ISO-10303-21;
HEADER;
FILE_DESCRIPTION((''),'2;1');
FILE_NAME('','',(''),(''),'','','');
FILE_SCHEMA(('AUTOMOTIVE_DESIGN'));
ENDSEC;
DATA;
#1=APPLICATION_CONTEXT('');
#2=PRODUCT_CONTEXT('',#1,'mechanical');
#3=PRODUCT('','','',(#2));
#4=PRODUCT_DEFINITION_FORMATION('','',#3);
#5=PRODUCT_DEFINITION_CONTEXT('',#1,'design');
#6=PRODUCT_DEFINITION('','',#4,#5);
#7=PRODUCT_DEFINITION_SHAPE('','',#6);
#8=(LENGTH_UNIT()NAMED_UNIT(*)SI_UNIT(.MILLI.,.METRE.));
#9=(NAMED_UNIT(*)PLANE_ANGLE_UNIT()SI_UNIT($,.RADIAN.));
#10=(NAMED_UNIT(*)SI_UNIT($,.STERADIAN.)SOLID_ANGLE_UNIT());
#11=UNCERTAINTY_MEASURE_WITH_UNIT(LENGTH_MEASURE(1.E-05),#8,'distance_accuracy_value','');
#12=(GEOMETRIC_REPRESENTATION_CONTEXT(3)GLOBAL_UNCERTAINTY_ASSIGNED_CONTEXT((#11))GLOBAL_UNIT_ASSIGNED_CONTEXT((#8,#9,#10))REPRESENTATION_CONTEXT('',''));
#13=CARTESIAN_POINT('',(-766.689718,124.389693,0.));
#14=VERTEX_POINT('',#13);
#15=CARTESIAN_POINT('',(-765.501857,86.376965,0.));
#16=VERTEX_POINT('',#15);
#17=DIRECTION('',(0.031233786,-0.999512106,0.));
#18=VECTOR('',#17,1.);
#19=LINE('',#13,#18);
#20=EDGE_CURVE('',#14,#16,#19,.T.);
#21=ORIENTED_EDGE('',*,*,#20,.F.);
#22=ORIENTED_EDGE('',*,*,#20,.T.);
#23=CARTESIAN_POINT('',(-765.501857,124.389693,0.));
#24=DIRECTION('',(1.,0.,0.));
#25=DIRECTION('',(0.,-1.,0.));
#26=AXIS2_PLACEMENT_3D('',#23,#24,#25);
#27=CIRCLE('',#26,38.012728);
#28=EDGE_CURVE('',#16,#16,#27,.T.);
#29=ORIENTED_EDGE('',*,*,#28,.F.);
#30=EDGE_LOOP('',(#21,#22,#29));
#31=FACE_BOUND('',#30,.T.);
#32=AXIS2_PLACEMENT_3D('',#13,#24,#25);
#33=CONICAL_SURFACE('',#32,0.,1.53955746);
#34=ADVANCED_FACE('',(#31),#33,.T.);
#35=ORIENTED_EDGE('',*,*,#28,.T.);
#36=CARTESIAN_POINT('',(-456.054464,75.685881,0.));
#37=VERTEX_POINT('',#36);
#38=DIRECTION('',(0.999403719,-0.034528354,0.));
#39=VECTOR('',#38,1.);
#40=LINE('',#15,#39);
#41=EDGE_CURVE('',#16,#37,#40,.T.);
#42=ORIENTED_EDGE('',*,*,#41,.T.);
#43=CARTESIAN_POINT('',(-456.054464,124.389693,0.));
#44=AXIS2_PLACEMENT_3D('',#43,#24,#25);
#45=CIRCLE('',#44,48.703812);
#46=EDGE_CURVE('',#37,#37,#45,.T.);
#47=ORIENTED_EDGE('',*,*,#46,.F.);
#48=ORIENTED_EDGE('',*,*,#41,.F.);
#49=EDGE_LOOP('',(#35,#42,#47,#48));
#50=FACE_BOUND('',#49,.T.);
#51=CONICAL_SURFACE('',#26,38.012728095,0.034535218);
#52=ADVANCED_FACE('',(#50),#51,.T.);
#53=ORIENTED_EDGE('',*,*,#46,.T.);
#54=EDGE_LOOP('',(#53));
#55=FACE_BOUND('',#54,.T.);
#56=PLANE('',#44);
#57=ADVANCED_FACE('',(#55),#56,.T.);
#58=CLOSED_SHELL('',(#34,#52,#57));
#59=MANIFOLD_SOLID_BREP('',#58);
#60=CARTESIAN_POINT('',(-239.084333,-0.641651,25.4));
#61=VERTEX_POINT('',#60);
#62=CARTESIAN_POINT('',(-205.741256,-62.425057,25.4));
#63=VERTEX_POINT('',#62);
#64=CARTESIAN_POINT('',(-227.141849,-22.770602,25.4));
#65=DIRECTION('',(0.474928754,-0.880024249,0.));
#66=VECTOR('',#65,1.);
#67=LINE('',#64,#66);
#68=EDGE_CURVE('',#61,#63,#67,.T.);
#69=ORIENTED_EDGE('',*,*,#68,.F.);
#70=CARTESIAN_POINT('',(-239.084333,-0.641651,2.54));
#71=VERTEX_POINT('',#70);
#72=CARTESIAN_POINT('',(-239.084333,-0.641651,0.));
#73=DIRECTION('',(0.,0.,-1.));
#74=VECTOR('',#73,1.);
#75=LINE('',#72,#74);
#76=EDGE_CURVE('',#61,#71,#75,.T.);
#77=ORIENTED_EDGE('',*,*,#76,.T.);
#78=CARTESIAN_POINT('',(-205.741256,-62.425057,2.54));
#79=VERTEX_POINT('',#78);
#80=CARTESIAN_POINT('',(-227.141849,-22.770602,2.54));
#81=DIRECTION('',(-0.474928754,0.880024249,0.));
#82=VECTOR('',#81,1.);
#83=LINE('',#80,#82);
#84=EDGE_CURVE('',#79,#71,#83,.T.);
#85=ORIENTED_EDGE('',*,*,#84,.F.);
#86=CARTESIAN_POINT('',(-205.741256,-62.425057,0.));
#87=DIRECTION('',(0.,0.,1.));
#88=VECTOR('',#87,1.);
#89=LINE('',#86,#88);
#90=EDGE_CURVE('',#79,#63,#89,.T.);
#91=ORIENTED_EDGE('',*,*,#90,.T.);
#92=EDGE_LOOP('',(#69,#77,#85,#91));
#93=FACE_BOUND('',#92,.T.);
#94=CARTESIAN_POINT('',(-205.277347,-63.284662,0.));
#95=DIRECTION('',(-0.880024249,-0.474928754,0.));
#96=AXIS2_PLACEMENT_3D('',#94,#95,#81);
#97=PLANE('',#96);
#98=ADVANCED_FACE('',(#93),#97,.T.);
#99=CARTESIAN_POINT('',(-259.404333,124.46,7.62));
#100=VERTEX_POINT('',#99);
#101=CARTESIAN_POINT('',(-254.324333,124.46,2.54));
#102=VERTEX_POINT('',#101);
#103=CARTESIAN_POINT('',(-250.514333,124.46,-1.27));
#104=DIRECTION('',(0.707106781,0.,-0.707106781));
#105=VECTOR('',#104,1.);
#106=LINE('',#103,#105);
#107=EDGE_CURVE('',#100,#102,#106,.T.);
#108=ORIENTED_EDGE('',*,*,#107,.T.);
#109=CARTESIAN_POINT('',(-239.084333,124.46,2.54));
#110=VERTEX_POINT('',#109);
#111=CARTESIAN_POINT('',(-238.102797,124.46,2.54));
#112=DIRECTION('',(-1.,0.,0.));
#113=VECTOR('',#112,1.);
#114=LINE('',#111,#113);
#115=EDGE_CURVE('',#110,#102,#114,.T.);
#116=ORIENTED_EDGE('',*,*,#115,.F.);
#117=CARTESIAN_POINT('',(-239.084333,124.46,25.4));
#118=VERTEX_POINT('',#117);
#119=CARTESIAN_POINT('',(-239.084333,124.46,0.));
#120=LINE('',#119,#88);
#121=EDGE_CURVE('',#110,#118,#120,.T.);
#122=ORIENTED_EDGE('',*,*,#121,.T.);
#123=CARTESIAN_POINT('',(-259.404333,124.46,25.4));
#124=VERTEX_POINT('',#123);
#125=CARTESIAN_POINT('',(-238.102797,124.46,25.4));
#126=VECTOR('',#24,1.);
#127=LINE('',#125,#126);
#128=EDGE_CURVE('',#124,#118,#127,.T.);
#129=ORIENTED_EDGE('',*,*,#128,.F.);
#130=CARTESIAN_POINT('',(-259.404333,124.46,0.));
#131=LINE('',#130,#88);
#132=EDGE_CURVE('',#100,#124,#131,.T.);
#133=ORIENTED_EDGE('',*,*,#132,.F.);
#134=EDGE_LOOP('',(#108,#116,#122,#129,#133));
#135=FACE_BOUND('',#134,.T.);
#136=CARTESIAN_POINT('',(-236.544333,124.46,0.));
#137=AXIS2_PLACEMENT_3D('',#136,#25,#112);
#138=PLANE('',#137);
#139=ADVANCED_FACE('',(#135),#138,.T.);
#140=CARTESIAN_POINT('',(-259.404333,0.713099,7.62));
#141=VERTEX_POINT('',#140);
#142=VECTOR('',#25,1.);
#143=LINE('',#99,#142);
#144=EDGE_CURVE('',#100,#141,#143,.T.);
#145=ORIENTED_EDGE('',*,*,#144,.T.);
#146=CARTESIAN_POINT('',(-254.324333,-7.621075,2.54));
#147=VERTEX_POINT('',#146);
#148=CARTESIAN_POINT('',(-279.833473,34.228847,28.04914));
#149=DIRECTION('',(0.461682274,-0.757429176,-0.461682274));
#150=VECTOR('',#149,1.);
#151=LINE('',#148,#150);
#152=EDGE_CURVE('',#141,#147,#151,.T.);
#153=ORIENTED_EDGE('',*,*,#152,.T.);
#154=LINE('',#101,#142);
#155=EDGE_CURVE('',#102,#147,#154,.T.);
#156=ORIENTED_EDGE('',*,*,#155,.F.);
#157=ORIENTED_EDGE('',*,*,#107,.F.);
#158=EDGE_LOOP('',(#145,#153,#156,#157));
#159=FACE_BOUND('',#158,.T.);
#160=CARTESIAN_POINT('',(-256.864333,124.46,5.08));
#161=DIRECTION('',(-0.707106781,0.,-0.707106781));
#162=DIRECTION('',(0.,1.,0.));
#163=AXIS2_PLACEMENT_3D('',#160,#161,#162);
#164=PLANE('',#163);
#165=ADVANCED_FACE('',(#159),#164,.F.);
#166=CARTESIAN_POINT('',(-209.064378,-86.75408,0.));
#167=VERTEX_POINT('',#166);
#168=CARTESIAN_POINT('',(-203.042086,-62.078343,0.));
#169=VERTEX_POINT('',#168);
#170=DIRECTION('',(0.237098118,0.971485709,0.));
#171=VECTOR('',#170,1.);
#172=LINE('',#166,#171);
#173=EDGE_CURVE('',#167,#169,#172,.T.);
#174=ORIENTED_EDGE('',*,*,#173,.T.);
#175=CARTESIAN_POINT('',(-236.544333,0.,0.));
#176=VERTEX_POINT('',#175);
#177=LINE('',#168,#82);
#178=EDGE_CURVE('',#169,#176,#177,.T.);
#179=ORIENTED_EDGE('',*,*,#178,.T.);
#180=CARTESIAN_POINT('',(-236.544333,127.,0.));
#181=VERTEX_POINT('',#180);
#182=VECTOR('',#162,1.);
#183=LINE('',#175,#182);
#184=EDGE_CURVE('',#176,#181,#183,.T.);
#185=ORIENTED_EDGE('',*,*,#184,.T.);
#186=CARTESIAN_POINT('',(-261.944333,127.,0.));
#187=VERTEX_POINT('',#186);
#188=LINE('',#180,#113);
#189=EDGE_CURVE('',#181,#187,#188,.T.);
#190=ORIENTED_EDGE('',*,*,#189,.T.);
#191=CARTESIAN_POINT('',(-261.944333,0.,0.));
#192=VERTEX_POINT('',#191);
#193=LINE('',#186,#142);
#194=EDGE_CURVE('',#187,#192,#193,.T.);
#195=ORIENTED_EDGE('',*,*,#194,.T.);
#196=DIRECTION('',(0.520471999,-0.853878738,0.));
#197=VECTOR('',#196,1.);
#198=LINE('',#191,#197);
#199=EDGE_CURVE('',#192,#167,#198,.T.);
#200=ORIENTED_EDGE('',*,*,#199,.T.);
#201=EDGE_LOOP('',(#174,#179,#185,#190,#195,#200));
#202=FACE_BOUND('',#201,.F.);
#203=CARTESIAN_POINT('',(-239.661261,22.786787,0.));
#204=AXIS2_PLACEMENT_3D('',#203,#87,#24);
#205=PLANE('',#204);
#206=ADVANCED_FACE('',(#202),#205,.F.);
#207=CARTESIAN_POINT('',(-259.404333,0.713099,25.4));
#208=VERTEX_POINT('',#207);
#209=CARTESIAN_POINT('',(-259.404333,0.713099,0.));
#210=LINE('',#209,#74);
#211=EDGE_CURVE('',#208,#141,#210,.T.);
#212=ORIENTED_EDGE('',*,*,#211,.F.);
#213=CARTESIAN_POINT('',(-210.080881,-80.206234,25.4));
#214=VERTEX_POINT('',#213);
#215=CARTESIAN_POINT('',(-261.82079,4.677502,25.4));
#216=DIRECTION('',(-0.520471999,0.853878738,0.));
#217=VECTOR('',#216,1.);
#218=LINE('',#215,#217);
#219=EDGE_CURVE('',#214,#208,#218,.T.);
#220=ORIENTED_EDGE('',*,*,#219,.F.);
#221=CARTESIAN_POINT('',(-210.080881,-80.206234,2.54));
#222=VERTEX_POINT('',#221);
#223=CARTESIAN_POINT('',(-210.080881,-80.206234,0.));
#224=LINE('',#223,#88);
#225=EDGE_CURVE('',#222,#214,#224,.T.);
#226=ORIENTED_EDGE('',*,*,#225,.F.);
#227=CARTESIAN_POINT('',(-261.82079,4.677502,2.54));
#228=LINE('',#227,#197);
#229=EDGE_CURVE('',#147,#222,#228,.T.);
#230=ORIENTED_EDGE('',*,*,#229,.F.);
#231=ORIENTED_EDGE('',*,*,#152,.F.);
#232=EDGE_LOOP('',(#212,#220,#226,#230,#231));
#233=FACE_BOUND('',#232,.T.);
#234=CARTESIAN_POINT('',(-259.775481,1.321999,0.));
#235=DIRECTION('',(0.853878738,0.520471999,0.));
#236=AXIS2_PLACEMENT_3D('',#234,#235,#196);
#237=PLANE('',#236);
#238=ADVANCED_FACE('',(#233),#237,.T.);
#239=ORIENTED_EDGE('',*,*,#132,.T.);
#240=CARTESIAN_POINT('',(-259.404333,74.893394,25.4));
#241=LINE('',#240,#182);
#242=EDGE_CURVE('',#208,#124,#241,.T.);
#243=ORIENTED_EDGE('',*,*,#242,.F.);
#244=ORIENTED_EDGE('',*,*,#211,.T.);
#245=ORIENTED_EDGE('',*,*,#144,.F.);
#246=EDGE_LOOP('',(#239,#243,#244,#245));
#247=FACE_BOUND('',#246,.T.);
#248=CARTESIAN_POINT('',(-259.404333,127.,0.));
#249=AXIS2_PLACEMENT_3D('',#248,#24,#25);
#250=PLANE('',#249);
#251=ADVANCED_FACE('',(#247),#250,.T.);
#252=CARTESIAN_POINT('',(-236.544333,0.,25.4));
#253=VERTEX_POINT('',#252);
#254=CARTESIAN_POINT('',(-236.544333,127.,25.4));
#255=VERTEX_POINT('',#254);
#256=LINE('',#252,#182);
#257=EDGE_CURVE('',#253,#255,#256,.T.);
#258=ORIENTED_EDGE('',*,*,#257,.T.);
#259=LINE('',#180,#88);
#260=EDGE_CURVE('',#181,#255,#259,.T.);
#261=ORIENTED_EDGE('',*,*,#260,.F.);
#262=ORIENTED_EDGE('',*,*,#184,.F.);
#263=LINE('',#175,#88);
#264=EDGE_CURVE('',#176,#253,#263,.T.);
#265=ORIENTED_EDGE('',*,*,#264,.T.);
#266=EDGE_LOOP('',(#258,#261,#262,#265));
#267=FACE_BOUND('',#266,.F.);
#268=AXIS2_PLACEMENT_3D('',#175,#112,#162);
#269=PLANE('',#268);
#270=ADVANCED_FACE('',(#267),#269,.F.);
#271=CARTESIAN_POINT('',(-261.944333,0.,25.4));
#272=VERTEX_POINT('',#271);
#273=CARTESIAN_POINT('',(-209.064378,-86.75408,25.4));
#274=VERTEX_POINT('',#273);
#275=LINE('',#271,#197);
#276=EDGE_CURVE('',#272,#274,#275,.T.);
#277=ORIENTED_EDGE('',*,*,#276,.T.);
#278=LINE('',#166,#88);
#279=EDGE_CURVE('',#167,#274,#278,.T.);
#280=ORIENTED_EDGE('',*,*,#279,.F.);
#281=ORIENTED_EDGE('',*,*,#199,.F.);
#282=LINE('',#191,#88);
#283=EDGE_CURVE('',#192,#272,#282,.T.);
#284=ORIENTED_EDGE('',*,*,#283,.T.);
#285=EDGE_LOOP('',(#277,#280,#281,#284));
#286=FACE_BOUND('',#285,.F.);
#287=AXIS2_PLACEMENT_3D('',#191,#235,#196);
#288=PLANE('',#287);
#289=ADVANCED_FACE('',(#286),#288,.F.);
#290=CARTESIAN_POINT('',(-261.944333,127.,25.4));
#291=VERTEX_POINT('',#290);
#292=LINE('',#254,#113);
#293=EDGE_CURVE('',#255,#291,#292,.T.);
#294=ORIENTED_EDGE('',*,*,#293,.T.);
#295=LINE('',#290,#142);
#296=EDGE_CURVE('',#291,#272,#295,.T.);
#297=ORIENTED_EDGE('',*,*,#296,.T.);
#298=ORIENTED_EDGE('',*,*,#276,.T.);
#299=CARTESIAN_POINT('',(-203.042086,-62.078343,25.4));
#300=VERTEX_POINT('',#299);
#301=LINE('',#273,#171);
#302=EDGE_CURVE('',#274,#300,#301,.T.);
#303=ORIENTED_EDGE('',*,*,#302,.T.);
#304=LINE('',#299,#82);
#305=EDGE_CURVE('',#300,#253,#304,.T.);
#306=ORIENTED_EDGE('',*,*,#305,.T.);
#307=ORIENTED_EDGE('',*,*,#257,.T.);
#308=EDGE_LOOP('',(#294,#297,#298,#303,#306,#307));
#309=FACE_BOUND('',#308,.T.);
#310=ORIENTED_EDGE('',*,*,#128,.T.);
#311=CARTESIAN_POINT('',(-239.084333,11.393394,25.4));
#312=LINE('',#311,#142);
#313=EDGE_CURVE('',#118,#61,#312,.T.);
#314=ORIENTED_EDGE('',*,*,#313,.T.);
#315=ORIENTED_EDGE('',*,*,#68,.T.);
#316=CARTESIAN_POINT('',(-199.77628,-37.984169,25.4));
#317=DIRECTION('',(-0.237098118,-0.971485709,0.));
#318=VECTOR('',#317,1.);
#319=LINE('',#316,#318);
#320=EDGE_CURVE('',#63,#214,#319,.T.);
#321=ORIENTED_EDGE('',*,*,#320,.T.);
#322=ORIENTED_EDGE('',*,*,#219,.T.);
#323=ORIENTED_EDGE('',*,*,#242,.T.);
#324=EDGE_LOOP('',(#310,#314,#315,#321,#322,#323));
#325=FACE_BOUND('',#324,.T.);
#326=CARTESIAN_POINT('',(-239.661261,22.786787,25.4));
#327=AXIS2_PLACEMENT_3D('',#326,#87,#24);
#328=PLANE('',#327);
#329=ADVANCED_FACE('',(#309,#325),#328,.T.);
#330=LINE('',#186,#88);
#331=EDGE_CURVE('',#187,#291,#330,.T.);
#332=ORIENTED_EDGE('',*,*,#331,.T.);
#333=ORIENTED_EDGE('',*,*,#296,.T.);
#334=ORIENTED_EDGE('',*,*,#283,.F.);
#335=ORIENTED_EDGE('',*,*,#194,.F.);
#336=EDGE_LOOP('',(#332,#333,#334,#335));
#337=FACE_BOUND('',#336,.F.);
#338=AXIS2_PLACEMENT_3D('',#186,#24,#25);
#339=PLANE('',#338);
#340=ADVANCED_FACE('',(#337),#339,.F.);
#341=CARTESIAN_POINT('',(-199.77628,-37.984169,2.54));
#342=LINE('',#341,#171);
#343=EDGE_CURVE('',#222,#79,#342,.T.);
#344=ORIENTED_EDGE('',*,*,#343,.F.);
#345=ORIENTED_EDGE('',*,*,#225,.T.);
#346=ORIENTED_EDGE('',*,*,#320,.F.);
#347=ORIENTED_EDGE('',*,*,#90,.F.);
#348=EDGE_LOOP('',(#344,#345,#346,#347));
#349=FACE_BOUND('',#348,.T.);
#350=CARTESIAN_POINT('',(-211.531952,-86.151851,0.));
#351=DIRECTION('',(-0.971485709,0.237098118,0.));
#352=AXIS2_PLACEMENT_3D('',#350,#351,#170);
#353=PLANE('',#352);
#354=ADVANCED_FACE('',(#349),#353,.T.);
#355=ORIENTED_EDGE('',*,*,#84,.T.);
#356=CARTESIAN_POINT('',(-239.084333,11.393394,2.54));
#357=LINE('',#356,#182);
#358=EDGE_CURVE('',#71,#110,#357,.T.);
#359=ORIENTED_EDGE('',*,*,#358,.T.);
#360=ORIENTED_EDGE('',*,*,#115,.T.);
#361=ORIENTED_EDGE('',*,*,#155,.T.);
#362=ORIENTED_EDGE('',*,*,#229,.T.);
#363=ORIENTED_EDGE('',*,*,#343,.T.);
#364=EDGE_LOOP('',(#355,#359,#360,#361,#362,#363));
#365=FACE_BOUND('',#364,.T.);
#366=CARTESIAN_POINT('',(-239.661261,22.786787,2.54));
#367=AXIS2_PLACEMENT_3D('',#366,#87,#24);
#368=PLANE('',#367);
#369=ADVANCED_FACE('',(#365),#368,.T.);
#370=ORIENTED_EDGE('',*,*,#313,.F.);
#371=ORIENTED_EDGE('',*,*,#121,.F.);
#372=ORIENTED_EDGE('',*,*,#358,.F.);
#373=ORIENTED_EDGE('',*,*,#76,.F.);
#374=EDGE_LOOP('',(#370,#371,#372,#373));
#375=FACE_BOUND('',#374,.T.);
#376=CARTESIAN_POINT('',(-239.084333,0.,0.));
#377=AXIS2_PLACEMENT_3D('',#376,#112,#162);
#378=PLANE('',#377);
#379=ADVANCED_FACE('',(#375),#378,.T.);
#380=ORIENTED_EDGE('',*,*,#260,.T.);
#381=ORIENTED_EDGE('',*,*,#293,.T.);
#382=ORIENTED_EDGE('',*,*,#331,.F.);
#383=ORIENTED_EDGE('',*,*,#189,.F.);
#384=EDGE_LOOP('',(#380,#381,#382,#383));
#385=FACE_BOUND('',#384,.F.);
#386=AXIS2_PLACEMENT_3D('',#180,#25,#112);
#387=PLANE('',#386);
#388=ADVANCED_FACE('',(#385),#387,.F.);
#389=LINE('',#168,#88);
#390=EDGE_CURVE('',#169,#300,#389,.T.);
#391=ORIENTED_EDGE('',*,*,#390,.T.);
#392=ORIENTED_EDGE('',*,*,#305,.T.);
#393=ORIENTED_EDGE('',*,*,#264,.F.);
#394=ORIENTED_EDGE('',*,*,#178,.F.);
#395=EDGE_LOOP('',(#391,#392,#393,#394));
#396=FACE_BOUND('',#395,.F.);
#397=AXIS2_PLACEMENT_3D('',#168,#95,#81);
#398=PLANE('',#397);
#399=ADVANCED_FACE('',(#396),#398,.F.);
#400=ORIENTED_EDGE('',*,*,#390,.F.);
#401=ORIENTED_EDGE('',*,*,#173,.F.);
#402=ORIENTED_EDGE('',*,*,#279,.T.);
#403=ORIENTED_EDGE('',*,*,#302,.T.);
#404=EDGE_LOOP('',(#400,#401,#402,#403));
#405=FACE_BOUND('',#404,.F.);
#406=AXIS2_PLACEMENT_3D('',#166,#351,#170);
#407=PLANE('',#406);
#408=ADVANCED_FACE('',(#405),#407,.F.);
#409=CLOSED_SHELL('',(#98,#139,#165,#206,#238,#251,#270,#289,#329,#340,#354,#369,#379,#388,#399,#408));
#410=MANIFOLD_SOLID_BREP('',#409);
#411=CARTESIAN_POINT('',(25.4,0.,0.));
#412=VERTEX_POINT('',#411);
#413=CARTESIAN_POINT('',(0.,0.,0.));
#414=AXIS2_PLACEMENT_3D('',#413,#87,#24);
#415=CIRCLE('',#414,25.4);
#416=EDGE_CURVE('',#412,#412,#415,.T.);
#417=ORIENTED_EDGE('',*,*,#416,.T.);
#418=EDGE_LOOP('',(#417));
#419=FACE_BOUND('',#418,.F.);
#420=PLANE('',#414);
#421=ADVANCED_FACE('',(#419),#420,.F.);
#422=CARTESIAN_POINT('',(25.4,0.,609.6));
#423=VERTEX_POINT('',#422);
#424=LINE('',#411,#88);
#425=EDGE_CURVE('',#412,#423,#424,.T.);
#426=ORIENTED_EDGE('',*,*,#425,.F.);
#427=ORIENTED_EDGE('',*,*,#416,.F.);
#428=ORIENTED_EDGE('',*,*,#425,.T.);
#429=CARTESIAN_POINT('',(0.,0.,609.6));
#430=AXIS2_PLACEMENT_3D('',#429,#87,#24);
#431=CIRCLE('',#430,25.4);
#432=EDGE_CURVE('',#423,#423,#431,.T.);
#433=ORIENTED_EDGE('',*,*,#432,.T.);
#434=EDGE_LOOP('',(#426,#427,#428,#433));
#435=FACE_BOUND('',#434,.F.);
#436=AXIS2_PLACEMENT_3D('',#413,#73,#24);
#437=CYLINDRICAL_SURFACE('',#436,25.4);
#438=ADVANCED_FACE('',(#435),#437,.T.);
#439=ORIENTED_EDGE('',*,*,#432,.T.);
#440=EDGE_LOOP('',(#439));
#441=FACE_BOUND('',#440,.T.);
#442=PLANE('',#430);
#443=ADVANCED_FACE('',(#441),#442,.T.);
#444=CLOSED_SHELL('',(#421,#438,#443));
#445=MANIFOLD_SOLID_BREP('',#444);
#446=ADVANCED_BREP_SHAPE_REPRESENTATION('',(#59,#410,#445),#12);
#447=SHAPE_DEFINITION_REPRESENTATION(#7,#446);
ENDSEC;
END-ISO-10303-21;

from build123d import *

# Parameters (mm, degrees)
F0_R     = 25.4
F1_DEPTH = 609.6
F3_DEPTH = 25.4
F4_T     = -2.54
F5_SIZE  = 5.08


with BuildPart() as f1:
    # F0 (on Top) → F1 (new body)
    with BuildSketch(Plane.XY):
        Circle(F0_R)
    extrude(amount=F1_DEPTH)


with BuildPart() as f3:
    # F2 (on Top) → F3 (new body)
    with BuildSketch(Plane.XY):
        Polygon((-261.9443330295, 0), (-209.064377976, -86.7540797515), (-203.0420857811, -62.078342747), (-236.5443330295, 0), (-236.5443330295, 127), (-261.9443330295, 127), (-261.9443330295, 25.4), align=None)
    extrude(amount=F3_DEPTH)

    # F4
    f4_openings = [f3.faces().sort_by_distance(p)[0] for p in [
        (-242.226686, 29.058726, 25.4),
    ]]
    offset(amount=F4_T, openings=f4_openings, kind=Kind.INTERSECTION)

    # F5
    f5_edges = [f3.edges().sort_by_distance(p)[0] for p in [
        (-259.404333, 62.586549, 2.54),
    ]]
    chamfer(f5_edges, length=F5_SIZE)


with BuildPart() as f7:
    # F6 (on Top) → F7 (revolve)
    with BuildSketch(Plane.XY):
        Polygon((-456.0544639826, 124.389693141), (-766.6897177696, 124.389693141), (-765.5018568039, 86.3769650459), (-456.0544639826, 75.6858810782), align=None)
    revolve(axis=Axis((-611.3720908761, 124.389693141, 0), (1, 0, 0)))


solid = Compound([f1.part, f3.part, f7.part])
